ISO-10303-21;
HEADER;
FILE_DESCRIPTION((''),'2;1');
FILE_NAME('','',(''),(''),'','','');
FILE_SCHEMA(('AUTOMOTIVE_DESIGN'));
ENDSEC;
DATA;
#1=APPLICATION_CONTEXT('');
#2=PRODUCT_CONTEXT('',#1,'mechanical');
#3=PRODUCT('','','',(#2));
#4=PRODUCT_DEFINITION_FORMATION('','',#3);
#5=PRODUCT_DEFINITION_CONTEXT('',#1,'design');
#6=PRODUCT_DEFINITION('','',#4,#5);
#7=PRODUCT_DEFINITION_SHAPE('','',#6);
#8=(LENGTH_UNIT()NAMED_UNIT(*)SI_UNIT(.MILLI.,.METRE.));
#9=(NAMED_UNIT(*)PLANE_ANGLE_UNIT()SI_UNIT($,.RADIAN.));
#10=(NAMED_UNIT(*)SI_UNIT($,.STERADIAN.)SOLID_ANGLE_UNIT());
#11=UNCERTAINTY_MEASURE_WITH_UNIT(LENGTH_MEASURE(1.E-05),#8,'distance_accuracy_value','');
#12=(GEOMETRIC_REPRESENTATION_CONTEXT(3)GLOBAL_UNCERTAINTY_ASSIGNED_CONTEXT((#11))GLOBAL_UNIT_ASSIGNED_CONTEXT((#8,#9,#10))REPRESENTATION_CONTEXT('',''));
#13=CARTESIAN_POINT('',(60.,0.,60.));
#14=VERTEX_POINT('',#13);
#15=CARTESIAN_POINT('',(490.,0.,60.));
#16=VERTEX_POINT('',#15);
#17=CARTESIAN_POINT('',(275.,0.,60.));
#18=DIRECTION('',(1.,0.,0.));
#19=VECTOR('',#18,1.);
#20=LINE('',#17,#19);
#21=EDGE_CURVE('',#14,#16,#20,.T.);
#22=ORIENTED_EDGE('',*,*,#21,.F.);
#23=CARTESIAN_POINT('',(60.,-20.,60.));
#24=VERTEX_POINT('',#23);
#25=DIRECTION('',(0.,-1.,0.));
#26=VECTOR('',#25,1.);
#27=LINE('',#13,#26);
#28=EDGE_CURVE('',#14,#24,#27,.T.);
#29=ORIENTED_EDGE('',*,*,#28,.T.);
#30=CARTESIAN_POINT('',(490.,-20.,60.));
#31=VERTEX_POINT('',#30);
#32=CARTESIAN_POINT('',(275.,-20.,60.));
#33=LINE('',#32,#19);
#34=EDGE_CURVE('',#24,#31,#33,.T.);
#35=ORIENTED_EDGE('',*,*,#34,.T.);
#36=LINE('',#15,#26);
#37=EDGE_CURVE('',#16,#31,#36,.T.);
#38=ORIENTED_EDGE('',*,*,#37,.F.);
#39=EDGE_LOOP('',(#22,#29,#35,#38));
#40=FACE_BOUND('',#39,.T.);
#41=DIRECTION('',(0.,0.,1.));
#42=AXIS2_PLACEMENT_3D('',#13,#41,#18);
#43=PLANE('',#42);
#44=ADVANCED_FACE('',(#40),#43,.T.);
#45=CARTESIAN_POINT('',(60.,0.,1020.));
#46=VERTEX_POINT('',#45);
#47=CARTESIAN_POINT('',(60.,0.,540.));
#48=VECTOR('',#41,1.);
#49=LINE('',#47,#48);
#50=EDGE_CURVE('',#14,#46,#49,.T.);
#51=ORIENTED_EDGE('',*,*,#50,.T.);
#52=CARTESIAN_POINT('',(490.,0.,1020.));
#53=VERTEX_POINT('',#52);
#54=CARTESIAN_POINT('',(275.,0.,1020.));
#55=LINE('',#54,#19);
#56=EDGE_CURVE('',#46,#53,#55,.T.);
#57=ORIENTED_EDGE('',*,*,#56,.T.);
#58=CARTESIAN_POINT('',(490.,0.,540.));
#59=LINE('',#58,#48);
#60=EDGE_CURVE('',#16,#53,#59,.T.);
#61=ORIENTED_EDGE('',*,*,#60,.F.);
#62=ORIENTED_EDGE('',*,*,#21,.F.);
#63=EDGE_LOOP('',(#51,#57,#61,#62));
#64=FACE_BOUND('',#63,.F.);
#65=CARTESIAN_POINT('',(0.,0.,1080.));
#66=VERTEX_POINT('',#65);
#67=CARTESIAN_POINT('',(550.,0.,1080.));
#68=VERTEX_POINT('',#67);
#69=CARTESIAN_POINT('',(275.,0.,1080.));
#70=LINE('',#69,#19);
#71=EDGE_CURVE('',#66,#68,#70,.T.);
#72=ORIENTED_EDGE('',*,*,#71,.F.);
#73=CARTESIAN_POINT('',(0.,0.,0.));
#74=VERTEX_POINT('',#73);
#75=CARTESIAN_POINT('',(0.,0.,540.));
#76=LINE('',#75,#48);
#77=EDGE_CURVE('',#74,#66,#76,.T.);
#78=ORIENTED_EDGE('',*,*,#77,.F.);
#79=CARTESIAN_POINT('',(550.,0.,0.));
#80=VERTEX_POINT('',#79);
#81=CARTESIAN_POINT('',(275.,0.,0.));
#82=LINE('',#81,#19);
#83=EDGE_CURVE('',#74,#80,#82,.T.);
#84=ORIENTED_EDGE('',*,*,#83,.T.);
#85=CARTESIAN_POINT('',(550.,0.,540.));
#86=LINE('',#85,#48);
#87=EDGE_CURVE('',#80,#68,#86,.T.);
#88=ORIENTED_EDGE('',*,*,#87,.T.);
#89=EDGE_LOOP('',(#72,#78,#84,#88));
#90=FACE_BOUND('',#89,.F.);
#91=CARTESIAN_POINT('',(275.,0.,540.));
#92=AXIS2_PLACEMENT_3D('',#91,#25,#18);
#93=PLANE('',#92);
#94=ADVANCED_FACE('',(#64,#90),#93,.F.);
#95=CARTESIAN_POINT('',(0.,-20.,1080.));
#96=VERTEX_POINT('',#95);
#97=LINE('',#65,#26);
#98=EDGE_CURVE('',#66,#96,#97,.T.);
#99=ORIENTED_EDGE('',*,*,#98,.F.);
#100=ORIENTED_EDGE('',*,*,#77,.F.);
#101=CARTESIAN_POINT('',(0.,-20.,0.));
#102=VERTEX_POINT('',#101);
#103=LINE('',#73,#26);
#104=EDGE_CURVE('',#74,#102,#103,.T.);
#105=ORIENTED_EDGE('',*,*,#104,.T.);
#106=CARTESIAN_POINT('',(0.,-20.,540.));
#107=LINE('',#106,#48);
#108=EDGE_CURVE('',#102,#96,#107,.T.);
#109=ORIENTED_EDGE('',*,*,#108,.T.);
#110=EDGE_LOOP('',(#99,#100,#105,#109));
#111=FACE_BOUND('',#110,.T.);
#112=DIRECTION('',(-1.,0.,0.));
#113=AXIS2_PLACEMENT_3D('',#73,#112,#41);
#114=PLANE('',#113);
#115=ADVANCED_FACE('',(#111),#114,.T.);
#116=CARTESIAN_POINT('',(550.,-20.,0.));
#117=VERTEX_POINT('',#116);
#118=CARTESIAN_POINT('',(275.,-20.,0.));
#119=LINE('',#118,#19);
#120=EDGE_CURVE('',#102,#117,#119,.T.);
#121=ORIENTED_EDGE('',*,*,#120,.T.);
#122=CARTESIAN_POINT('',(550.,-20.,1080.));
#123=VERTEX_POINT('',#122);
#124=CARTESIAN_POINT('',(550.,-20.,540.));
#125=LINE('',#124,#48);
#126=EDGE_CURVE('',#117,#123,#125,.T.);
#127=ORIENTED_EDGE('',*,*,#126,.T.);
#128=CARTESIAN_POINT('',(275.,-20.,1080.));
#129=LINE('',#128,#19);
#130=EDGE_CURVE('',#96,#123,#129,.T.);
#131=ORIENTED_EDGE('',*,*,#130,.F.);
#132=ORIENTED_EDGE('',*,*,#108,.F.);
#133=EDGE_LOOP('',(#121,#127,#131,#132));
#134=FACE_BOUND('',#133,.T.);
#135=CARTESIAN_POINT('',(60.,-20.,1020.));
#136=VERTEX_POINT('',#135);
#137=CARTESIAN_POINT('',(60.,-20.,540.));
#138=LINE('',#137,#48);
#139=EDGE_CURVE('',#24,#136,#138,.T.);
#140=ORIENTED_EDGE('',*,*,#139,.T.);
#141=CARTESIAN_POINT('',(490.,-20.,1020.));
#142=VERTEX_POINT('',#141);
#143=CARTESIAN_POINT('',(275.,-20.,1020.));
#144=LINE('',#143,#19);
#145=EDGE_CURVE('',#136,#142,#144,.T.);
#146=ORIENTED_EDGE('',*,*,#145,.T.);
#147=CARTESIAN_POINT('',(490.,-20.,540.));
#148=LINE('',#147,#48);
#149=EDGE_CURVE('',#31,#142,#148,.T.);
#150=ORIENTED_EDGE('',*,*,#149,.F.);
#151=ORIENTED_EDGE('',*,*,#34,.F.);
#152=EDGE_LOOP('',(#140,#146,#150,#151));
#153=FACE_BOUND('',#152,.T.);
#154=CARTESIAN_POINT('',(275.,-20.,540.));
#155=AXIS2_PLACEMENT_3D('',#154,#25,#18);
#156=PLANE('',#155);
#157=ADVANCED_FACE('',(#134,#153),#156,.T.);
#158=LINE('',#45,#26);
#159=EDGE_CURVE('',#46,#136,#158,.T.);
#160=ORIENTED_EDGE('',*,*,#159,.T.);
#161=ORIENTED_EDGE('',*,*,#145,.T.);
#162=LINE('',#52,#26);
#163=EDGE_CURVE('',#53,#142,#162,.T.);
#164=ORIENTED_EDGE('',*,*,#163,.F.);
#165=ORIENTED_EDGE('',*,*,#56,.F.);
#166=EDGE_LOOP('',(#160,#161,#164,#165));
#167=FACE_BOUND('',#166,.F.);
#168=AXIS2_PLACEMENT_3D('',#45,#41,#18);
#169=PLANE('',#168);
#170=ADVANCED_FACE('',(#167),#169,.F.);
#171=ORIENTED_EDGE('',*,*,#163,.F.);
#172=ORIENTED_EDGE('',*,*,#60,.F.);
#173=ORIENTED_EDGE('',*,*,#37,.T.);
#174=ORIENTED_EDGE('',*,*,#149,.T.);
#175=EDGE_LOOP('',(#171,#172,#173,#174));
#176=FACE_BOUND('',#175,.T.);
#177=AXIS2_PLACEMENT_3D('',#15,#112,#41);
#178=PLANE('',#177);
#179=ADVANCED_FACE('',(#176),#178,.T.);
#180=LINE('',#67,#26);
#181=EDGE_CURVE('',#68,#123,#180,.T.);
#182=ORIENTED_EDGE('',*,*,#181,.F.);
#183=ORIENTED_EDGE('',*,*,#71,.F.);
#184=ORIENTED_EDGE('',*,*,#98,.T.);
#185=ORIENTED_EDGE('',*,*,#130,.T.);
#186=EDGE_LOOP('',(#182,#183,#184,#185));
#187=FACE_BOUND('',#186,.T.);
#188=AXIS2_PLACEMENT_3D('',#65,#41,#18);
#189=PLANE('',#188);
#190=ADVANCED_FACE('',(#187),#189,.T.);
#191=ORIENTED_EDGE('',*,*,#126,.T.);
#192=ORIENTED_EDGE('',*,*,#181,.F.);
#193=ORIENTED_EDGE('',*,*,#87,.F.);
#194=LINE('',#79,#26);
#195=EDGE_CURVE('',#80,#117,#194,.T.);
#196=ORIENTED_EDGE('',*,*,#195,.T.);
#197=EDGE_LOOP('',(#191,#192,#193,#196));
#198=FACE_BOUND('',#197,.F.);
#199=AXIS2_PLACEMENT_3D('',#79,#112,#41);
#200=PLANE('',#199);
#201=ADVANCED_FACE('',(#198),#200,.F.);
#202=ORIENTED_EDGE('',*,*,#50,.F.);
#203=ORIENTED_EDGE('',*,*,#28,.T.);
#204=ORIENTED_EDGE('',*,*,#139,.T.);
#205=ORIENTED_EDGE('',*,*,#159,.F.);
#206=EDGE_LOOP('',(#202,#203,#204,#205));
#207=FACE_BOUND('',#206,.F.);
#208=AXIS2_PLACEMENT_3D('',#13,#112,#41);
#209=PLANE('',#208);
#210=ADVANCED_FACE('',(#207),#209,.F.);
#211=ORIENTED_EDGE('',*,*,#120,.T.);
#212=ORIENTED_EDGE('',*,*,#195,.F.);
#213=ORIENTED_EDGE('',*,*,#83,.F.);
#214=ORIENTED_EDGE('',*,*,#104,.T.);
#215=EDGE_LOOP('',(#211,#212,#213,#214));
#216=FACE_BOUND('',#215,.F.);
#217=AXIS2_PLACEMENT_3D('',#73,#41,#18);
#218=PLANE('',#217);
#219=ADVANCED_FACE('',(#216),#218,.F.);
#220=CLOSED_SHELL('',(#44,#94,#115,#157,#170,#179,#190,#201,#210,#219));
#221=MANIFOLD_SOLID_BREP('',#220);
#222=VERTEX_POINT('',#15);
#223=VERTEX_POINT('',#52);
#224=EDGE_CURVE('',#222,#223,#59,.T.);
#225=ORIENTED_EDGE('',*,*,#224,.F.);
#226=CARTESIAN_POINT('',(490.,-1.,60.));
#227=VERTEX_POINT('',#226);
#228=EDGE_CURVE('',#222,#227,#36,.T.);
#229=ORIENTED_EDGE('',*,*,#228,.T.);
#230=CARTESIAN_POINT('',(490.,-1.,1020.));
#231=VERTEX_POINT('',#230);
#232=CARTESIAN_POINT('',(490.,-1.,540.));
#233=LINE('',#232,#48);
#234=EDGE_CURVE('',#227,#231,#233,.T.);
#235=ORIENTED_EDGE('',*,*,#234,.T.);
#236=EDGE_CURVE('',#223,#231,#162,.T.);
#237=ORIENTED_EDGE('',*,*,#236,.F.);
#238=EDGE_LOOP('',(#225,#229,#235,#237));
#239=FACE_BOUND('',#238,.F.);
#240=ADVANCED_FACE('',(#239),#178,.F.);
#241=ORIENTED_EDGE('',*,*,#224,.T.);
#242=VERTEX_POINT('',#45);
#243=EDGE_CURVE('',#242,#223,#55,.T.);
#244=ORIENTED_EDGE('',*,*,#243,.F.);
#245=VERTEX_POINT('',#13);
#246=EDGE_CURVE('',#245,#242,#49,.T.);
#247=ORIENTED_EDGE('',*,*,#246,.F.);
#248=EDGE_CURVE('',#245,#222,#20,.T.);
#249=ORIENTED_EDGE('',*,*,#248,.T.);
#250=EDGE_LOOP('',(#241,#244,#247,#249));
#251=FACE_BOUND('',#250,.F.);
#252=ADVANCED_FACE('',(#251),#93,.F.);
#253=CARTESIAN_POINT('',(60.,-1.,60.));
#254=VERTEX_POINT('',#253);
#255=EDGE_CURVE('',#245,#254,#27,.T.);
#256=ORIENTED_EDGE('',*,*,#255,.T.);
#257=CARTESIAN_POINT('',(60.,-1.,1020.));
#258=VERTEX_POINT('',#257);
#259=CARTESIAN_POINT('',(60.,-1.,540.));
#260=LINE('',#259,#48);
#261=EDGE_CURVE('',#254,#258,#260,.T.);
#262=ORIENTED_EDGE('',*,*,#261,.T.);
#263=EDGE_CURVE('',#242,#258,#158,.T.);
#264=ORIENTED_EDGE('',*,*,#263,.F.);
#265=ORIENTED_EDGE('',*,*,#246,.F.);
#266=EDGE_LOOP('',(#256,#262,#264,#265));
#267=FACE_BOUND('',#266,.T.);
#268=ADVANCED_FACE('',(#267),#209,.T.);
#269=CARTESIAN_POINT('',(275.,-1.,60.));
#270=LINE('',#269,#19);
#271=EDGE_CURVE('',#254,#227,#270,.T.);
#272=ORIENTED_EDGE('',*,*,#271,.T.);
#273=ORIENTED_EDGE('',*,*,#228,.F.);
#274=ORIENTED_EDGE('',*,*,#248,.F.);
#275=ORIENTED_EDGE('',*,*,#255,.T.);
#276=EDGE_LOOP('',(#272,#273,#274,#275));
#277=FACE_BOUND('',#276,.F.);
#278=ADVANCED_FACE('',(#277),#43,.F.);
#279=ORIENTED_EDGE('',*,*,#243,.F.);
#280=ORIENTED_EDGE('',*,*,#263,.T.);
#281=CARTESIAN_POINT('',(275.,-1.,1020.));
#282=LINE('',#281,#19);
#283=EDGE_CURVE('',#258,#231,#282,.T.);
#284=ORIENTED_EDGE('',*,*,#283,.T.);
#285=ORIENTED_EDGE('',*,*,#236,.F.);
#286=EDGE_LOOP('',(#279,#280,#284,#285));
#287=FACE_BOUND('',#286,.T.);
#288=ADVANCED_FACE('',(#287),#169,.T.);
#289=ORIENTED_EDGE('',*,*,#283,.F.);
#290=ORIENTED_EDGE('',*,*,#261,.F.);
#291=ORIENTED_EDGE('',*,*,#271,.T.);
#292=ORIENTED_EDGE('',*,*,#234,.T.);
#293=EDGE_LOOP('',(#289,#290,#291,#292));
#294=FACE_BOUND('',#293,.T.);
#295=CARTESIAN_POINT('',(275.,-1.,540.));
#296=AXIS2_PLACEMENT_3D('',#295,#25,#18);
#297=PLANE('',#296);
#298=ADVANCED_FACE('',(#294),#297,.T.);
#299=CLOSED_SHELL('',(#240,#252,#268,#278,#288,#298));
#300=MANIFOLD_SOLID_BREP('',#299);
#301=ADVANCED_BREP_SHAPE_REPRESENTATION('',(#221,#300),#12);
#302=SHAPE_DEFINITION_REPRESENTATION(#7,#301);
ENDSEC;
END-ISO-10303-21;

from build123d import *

# Parameters (mm, degrees)
F0_W     = 550
F0_H     = 1080
F0_W_2   = 430
F0_H_2   = 960
F1_DEPTH = 20
F2_DEPTH = 1


with BuildPart() as f1:
    # F0 (on Front) → F1 (new body)
    with BuildSketch(Plane.XZ):
        with Locations((275, 540)):
            Rectangle(F0_W, F0_H)
        with Locations((275, 540)):
            Rectangle(F0_W_2, F0_H_2, mode=Mode.SUBTRACT)
    extrude(amount=F1_DEPTH)


with BuildPart() as f2:
    # F0 (on Front) → F2 (new body)
    with BuildSketch(Plane.XZ):
        with Locations((275, 540)):
            Rectangle(F0_W_2, F0_H_2)
    extrude(amount=F2_DEPTH)


solid = Compound([f1.part, f2.part])
